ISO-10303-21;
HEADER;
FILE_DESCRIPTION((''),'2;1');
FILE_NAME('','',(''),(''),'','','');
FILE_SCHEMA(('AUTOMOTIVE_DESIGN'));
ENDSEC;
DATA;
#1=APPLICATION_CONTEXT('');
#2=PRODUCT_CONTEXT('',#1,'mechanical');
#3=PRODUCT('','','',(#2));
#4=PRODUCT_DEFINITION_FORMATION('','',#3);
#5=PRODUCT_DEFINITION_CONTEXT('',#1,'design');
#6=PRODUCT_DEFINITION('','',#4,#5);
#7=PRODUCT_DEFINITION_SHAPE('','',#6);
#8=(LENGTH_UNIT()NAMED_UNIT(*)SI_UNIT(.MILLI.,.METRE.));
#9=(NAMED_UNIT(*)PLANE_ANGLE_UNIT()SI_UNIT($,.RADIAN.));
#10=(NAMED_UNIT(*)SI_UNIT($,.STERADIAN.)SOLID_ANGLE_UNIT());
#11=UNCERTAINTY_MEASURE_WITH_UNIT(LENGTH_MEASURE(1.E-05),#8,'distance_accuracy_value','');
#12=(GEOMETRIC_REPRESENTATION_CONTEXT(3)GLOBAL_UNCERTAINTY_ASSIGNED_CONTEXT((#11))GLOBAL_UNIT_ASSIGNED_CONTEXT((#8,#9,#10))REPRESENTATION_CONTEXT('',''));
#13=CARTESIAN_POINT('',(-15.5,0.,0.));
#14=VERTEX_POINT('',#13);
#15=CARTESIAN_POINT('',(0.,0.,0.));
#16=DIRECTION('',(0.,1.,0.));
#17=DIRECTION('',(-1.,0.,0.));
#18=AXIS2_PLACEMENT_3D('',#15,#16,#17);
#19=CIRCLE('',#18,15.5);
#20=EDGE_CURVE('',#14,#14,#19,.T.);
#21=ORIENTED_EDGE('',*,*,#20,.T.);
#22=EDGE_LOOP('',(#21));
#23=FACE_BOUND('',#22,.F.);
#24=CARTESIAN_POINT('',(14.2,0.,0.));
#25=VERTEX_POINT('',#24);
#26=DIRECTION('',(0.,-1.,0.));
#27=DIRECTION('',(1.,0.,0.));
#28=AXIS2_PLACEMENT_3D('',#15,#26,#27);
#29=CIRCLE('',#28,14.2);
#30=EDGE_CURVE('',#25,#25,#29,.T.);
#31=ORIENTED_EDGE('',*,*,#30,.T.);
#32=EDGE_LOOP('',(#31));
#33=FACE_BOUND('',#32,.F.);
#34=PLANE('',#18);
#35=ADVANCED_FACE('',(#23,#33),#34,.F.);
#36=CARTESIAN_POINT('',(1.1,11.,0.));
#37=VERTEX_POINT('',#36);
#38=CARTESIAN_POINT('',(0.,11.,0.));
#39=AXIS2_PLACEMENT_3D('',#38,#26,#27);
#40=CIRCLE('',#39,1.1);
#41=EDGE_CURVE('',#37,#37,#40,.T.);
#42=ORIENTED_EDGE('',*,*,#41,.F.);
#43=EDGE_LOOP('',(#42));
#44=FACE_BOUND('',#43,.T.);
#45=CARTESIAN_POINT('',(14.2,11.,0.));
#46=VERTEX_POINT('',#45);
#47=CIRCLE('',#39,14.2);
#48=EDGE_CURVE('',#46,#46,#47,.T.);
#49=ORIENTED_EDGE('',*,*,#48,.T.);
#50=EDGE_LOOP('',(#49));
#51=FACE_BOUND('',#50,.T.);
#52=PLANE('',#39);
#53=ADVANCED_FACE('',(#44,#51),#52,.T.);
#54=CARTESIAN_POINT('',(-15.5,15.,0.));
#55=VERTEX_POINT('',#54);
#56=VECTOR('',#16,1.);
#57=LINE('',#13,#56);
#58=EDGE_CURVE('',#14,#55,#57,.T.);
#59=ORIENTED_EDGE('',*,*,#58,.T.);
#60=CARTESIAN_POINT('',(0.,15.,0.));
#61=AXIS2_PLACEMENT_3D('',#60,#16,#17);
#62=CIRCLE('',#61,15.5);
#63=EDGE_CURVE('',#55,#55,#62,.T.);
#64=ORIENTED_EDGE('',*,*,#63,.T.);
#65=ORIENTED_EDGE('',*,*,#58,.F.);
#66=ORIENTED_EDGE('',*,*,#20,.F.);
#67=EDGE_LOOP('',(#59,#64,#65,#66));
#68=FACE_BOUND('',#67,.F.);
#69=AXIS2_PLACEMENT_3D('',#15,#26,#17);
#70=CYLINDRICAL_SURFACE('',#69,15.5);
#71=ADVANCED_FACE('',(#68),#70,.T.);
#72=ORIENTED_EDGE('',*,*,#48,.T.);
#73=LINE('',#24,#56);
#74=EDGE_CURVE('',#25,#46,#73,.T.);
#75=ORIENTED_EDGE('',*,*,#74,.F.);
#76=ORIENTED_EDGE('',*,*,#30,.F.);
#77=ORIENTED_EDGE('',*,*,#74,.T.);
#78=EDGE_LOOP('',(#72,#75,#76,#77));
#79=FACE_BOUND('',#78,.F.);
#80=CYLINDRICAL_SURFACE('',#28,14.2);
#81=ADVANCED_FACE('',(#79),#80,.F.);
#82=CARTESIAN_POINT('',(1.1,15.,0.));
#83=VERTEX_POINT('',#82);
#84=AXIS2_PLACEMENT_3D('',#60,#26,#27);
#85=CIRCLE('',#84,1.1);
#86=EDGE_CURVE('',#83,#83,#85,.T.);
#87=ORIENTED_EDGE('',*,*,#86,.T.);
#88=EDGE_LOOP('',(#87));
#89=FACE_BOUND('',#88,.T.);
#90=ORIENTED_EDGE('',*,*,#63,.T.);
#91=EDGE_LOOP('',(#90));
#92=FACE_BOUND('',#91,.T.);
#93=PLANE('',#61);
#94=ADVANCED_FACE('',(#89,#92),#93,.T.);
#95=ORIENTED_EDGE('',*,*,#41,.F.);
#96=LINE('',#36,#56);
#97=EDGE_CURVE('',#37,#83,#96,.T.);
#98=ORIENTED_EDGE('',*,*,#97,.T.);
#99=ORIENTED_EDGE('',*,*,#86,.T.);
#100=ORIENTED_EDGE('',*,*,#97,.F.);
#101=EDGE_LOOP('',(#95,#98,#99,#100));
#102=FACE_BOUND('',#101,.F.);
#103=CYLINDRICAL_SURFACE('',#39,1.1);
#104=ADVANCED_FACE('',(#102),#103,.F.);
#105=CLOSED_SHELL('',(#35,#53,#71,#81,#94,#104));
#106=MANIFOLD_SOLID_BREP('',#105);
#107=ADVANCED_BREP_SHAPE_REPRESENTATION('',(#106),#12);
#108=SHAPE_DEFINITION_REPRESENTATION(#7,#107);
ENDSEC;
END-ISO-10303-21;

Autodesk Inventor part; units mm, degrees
ref_plane "YZ Plane" through (0, 0, 0) normal (1, 0, 0) x (0, 1, 0)
ref_plane "XZ Plane" through (0, 0, 0) normal (0, 1, 0) x (-1, 0, 0)
ref_plane "XY Plane" through (0, 0, 0) normal (0, 0, 1) x (1, 0, 0)
sketch "Sketch1" plane through (0, 0, 0) normal (0, 1, 0) x (-1, 0, 0)
  circle A0 centre (0, 0) radius 15.5
  dimension "d0" = 31
extrude "Extrusion1" add sketch "Sketch1" along normal blind 15
sketch "Sketch2" plane through (0, 0, 0) normal (0, -1, 0) x (1, 0, 0)
  circle A0 centre (0, 0) radius 14.2
  dimension "d3" = 28.4
extrude "Extrusion2" cut sketch "Sketch2" against normal blind 11
sketch "Sketch3" plane through (0, 11, 0) normal (0, -1, 0) x (1, 0, 0)
  circle A0 centre (0, 0) radius 1.1
  dimension "d6" = 2.2
extrude "Extrusion3" cut sketch "Sketch3" against normal blind 25.4
properties part number "_3DPrint"
